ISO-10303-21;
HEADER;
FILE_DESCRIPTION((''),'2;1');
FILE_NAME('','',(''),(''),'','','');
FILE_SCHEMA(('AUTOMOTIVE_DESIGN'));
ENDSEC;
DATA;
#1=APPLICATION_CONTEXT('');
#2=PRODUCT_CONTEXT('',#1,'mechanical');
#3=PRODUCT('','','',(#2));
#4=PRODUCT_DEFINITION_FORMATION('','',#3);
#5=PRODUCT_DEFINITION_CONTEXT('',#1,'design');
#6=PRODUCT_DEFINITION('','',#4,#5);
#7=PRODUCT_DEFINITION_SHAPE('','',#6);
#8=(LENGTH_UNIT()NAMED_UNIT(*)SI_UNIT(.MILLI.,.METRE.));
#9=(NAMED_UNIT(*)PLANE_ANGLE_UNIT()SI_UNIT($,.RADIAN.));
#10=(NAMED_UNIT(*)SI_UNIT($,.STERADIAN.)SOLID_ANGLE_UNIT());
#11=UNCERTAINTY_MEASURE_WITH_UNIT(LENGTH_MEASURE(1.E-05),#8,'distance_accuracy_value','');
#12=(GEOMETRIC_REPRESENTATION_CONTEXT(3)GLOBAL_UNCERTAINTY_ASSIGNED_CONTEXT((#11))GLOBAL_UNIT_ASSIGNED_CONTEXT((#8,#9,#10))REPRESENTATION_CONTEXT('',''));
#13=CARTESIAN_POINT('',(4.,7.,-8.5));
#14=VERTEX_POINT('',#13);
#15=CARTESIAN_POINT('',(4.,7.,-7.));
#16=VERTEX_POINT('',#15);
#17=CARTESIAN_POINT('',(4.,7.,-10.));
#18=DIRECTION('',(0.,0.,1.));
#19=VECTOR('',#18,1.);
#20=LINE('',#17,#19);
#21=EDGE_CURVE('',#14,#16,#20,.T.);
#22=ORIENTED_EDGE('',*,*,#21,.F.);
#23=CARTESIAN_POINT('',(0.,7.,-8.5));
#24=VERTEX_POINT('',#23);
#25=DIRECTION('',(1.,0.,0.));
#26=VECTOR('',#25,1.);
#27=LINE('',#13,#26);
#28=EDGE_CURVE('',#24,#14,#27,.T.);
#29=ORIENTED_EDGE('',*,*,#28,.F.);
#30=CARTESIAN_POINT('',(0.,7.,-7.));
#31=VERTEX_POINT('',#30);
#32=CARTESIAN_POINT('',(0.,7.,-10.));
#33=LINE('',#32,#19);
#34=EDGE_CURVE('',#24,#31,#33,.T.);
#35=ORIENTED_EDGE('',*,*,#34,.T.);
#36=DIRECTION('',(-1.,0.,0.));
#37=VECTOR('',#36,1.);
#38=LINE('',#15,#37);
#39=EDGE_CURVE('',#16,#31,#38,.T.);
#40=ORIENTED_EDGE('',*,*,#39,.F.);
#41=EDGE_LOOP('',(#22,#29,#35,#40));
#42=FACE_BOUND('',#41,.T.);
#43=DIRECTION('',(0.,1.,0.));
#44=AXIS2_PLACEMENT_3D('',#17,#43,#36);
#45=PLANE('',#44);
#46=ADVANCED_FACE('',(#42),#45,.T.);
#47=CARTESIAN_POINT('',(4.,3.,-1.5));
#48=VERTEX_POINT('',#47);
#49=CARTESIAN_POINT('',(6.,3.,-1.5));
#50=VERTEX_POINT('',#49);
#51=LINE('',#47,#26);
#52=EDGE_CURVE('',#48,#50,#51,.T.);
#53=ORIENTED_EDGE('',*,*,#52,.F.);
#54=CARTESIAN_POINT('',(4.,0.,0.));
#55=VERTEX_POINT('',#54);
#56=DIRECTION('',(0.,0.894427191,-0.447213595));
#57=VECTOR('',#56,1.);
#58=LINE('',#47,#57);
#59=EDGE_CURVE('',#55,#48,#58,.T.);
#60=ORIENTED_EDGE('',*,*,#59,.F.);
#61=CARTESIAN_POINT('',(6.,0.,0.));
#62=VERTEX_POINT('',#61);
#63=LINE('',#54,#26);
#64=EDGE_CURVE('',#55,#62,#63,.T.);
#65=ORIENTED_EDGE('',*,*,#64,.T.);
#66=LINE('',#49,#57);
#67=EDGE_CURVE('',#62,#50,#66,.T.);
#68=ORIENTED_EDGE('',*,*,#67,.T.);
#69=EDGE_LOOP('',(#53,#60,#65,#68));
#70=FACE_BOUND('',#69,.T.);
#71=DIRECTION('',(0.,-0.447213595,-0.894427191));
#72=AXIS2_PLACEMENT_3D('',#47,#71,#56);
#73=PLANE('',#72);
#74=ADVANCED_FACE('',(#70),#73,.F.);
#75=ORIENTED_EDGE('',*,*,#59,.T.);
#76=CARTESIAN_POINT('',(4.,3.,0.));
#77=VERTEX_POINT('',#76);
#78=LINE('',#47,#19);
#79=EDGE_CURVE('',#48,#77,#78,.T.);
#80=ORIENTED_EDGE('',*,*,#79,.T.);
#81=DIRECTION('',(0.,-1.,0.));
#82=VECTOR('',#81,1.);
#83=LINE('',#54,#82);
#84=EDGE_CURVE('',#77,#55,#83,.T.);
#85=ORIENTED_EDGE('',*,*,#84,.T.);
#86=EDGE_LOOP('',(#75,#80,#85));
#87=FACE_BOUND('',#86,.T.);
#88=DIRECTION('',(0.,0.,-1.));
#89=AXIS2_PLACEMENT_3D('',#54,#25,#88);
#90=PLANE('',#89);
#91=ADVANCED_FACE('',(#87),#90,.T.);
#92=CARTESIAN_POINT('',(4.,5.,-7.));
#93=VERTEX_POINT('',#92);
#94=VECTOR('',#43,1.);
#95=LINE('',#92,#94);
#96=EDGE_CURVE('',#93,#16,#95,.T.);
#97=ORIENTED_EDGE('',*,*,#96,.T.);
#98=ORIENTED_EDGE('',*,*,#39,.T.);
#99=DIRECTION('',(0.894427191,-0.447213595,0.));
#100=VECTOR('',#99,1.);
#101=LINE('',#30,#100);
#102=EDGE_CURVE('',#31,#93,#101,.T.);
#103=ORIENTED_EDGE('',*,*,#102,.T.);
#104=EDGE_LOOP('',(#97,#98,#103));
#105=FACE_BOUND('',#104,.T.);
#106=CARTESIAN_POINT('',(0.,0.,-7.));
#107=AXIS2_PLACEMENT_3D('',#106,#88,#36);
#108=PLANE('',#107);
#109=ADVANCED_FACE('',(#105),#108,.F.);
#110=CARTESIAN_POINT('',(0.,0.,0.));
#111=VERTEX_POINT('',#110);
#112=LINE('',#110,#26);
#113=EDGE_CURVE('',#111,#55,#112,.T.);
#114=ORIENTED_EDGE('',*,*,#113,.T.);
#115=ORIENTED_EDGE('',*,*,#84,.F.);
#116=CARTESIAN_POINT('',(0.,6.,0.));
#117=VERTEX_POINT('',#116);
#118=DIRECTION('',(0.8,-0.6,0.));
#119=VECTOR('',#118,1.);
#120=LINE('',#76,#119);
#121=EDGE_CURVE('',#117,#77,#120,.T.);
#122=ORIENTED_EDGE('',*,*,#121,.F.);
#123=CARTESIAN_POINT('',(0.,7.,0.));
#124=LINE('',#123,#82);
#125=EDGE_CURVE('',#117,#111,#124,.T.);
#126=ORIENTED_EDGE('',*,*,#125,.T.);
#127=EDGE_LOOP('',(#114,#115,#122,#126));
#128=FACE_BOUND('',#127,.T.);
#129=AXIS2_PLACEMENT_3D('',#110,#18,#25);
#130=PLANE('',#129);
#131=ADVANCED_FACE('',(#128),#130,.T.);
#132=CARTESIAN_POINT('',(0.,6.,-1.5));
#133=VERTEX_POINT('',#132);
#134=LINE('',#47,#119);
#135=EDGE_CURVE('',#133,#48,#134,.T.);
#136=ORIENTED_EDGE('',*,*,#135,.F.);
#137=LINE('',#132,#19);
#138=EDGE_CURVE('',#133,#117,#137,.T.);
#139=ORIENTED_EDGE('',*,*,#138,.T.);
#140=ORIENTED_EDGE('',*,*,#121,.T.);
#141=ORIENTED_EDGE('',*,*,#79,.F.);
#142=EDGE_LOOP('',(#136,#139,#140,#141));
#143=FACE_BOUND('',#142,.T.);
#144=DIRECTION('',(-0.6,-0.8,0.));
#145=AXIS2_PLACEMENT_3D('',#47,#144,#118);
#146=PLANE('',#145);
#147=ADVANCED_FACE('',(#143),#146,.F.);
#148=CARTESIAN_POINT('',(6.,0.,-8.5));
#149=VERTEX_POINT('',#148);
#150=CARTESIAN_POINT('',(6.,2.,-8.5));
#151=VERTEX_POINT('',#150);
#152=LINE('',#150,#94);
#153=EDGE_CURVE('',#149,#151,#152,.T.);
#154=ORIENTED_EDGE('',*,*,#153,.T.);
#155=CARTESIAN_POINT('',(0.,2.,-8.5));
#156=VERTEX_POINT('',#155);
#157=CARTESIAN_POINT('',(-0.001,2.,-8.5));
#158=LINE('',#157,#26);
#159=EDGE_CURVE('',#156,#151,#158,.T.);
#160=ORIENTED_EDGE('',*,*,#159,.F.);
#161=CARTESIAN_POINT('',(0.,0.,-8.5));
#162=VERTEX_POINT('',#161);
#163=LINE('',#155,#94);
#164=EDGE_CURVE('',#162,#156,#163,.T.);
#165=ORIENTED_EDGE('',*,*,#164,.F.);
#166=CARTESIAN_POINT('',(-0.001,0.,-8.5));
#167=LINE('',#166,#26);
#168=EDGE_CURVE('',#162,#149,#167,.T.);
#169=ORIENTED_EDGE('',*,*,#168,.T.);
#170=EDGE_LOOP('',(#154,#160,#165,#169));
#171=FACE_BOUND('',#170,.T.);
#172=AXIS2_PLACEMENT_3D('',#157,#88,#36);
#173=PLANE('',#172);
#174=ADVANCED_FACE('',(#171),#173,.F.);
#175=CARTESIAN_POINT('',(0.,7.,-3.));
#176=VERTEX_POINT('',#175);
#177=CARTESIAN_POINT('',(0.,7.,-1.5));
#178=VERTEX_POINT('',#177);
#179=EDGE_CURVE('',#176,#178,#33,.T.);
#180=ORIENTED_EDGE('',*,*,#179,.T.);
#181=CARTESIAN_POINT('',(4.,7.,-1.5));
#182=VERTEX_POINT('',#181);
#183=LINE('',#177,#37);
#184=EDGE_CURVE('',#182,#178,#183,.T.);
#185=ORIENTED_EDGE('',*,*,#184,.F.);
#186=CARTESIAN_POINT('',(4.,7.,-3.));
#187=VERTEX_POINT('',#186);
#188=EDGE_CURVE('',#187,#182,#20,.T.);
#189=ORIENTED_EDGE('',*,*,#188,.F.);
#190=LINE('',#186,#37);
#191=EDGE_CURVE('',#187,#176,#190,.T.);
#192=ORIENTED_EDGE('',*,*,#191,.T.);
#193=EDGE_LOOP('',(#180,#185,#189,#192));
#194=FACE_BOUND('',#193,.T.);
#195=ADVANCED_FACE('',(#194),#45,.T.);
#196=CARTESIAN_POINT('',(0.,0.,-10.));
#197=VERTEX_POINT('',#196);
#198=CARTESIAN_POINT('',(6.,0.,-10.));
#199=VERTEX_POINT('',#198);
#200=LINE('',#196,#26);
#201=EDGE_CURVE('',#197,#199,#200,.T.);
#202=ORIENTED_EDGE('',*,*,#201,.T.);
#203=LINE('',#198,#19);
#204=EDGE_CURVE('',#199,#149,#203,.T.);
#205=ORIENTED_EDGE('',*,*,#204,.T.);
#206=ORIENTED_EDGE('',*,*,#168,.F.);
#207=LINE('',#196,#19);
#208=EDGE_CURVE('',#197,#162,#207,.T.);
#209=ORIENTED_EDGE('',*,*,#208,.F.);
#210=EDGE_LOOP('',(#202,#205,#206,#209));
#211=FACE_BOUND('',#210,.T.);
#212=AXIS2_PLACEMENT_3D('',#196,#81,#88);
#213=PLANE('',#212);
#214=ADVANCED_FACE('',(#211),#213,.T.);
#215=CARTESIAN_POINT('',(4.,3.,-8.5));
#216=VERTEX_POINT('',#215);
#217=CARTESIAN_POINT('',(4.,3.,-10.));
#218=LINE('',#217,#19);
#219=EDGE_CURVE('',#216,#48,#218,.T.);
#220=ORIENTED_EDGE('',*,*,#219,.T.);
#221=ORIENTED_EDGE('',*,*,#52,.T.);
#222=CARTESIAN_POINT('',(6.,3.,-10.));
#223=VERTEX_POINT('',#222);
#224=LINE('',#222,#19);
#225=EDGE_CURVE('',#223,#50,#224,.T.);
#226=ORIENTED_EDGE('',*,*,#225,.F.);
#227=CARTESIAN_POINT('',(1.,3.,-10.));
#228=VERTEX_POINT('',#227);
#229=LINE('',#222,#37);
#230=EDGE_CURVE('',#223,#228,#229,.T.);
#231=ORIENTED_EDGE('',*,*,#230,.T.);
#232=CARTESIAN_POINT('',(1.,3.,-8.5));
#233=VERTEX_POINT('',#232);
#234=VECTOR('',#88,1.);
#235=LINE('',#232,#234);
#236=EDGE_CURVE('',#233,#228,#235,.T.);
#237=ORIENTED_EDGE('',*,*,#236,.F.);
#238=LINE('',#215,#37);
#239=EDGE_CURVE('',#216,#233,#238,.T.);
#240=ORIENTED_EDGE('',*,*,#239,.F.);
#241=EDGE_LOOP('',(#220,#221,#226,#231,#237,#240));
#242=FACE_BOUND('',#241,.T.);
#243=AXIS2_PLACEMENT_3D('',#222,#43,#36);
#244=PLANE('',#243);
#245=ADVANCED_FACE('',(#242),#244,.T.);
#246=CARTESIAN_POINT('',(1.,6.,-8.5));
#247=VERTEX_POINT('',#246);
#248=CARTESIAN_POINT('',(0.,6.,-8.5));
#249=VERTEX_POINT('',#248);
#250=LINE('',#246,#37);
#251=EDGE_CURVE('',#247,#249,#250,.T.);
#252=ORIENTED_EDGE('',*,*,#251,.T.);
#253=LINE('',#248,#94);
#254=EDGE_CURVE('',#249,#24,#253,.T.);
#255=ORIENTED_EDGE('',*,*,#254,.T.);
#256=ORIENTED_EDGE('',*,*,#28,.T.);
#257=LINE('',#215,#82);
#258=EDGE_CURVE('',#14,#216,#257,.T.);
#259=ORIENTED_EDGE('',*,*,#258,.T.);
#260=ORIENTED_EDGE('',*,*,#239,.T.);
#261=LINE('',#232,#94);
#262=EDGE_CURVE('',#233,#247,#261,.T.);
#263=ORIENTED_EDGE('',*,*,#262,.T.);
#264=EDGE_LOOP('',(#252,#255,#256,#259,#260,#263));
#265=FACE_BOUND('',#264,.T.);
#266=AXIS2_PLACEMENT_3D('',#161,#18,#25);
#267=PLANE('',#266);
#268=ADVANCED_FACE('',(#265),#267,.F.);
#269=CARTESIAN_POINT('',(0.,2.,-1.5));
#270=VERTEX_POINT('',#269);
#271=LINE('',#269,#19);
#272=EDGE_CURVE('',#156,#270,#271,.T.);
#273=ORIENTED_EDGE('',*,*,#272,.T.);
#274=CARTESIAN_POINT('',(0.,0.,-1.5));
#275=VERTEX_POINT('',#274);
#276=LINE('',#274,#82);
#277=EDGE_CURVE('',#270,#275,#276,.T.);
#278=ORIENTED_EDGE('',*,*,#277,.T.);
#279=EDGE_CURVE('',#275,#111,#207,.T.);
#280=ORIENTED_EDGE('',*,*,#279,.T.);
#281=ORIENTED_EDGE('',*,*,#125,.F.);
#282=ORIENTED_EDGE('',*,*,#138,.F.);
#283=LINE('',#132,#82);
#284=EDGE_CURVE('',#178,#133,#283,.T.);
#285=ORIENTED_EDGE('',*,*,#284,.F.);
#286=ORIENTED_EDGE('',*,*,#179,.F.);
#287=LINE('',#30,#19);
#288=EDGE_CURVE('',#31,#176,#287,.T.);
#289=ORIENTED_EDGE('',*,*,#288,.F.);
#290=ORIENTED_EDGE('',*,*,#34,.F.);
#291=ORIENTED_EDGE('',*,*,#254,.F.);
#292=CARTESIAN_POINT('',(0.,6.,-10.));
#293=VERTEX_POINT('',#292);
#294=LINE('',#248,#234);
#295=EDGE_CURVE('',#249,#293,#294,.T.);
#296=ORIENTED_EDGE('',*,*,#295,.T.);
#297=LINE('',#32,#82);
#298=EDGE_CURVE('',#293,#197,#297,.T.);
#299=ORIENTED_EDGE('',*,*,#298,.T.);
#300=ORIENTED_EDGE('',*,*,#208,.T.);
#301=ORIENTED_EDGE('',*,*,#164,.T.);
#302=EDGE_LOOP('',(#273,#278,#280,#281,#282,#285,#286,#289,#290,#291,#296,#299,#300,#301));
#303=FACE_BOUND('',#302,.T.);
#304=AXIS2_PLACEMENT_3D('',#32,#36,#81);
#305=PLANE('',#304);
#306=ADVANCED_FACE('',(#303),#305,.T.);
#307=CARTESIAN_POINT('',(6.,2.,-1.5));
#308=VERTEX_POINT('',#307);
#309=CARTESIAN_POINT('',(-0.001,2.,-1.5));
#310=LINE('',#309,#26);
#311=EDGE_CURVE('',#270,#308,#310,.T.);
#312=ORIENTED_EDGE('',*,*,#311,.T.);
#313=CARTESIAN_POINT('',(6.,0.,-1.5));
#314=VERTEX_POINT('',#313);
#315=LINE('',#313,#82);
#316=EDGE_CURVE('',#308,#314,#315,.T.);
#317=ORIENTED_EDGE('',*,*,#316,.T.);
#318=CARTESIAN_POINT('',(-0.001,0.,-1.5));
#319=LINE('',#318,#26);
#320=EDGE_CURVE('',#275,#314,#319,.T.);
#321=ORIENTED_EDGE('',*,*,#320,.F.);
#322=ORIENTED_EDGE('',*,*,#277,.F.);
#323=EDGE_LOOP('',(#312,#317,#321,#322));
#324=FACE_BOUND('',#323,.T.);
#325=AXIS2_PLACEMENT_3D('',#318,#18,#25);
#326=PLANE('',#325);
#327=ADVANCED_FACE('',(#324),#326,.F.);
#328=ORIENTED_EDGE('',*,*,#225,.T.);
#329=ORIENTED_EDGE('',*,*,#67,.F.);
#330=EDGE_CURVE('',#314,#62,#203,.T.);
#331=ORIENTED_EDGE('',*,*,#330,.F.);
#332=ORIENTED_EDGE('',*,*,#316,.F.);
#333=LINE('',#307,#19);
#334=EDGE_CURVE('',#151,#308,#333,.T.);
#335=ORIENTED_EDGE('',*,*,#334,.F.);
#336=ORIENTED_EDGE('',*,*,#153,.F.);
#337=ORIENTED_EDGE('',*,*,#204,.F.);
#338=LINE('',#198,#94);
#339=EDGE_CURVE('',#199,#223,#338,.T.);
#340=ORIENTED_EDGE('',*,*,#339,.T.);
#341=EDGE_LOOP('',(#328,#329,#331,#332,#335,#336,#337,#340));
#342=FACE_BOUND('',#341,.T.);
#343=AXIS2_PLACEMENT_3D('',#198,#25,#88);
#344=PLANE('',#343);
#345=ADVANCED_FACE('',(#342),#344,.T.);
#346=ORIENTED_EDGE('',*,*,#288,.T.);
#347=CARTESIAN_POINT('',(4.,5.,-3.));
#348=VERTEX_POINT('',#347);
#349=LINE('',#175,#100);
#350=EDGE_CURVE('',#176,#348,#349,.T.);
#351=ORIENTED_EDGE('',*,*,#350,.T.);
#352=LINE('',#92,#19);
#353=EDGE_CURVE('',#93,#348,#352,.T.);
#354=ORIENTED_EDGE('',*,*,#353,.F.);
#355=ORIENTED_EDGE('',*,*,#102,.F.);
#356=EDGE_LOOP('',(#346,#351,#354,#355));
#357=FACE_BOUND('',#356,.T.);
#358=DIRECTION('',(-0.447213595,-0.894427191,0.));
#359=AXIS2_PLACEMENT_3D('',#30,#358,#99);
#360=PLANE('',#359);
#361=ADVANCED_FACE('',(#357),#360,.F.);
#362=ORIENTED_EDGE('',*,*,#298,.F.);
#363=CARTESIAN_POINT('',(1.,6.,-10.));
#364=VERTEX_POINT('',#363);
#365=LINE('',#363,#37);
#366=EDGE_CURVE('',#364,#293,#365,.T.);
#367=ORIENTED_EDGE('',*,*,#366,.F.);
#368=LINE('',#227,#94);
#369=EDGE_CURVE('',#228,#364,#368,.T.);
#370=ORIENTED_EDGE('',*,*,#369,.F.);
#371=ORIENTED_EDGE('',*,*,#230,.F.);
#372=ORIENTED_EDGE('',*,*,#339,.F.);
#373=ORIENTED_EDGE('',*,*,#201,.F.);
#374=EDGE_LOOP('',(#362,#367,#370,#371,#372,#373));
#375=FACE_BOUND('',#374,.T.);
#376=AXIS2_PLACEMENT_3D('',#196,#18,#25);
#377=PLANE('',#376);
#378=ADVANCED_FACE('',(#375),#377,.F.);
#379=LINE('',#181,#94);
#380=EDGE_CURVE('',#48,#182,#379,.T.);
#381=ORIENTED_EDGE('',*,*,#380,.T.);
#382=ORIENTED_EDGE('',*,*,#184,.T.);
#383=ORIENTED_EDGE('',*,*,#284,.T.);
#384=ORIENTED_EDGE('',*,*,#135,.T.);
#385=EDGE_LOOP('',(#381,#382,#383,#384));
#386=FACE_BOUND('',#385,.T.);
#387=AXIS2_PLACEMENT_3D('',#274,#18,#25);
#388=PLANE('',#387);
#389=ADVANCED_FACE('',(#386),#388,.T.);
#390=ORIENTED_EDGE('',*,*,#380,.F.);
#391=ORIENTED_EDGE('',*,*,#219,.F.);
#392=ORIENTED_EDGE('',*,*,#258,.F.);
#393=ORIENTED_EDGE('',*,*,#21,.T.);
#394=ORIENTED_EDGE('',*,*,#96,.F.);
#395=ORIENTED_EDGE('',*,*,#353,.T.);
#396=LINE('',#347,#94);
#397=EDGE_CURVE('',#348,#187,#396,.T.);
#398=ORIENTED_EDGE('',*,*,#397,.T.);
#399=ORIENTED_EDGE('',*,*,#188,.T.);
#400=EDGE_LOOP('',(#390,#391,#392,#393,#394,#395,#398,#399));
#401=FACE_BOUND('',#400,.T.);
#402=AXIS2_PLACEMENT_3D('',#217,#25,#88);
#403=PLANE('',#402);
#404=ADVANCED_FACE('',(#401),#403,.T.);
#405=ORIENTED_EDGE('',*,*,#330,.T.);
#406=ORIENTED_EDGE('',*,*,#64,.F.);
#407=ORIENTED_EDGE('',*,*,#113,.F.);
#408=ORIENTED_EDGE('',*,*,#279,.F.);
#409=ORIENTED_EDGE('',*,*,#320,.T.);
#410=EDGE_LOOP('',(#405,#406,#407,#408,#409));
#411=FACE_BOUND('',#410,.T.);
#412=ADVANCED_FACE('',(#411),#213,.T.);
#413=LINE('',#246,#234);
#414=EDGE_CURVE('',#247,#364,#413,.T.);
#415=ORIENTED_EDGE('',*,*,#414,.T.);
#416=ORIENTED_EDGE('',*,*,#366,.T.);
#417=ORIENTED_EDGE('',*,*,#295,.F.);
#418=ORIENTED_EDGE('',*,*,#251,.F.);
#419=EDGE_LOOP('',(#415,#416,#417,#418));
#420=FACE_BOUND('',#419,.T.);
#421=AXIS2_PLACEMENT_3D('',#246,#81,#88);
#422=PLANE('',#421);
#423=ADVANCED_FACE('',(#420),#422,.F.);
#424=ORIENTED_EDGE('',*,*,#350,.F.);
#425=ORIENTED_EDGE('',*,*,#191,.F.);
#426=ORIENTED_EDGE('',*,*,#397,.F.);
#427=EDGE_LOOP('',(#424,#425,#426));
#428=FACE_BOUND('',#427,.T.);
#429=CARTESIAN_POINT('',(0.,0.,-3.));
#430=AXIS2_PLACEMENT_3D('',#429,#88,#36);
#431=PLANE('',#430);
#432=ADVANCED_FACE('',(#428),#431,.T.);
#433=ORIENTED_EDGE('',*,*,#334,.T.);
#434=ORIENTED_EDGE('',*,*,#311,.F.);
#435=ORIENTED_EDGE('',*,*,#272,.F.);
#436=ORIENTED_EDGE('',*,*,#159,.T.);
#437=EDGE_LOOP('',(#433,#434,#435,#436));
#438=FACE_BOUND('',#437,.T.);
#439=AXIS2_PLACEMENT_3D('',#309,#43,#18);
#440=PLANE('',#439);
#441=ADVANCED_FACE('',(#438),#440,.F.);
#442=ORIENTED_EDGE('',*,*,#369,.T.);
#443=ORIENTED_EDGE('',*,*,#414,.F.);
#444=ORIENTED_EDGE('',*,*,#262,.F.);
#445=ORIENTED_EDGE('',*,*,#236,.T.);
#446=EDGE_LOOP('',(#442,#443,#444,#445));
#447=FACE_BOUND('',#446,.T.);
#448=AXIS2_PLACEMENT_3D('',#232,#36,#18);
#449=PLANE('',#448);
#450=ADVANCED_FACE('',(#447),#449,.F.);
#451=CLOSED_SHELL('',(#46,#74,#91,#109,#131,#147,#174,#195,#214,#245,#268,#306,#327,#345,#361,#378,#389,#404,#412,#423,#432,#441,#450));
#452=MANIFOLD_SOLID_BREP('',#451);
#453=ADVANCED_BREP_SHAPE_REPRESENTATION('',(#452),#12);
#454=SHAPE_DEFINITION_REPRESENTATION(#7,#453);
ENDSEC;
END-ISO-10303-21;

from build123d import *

# Parameters (mm, degrees)
SALIENTE_EXTRUIR1_DEPTH = 10
CORTAR_EXTRUIR1_DEPTH   = 1.5
CORTAR_EXTRUIR2_DEPTH   = 2
CORTAR_EXTRUIR3_REACH   = 8
CROQUIS5_W              = 7
CROQUIS5_H              = 2
CORTAR_EXTRUIR4_DEPTH   = 1.5
CORTAR_EXTRUIR5_DEPTH   = 2


with BuildPart() as part:
    # Croquis1 → Saliente-Extruir1 (new body)
    with BuildSketch(Plane.XY):
        Polygon((0, 0), (6, 0), (6, 3), (4, 3), (4, 7), (0, 7), align=None)
    extrude(amount=-SALIENTE_EXTRUIR1_DEPTH)

    # Croquis2 → Cortar-Extruir1 (cut)
    with BuildSketch(Plane.XY):
        Polygon((4, 3), (0, 6), (0, 7), (4, 7), align=None)
    extrude(amount=-CORTAR_EXTRUIR1_DEPTH, mode=Mode.SUBTRACT)

    # Croquis4 → Cortar-Extruir2 (cut)
    with BuildSketch(Plane(origin=(6, 0, 0), x_dir=(0, 0, -1), z_dir=(1, 0, 0))):
        Polygon((1.5, 3), (0, 0), (0, 3), align=None)
    extrude(amount=-CORTAR_EXTRUIR2_DEPTH, mode=Mode.SUBTRACT)

    # Croquis5 → Cortar-Extruir3 (cut, up to next)
    with BuildSketch(Plane(origin=(6, 0, 0), x_dir=(0, 0, -1), z_dir=(1, 0, 0)), mode=Mode.PRIVATE) as cortar_extruir3_sk1:
        with Locations((5, 1)):
            Rectangle(CROQUIS5_W, CROQUIS5_H)
    cortar_extruir3_tool1 = extrude(cortar_extruir3_sk1.sketch, amount=-CORTAR_EXTRUIR3_REACH, mode=Mode.PRIVATE) & part.part
    add(cortar_extruir3_tool1.solids().sort_by_distance((6, 1, -5))[0], mode=Mode.SUBTRACT)

    # Croquis6 → Cortar-Extruir4 (cut)
    with BuildSketch(Plane(origin=(0, 0, -10), x_dir=(-1, 0, 0), z_dir=(0, 0, -1))):
        Polygon((-4, 7), (0, 7), (0, 6), (-1, 6), (-1, 3), (-4, 3), align=None)
    extrude(amount=-CORTAR_EXTRUIR4_DEPTH, mode=Mode.SUBTRACT)

    # Croquis7 → Cortar-Extruir5 (cut, symmetric)
    with BuildSketch(Plane.XY.offset(-5)):
        Polygon((4, 5), (4, 7), (0, 7), align=None)
    extrude(amount=CORTAR_EXTRUIR5_DEPTH, both=True, mode=Mode.SUBTRACT)


solid = part.part
